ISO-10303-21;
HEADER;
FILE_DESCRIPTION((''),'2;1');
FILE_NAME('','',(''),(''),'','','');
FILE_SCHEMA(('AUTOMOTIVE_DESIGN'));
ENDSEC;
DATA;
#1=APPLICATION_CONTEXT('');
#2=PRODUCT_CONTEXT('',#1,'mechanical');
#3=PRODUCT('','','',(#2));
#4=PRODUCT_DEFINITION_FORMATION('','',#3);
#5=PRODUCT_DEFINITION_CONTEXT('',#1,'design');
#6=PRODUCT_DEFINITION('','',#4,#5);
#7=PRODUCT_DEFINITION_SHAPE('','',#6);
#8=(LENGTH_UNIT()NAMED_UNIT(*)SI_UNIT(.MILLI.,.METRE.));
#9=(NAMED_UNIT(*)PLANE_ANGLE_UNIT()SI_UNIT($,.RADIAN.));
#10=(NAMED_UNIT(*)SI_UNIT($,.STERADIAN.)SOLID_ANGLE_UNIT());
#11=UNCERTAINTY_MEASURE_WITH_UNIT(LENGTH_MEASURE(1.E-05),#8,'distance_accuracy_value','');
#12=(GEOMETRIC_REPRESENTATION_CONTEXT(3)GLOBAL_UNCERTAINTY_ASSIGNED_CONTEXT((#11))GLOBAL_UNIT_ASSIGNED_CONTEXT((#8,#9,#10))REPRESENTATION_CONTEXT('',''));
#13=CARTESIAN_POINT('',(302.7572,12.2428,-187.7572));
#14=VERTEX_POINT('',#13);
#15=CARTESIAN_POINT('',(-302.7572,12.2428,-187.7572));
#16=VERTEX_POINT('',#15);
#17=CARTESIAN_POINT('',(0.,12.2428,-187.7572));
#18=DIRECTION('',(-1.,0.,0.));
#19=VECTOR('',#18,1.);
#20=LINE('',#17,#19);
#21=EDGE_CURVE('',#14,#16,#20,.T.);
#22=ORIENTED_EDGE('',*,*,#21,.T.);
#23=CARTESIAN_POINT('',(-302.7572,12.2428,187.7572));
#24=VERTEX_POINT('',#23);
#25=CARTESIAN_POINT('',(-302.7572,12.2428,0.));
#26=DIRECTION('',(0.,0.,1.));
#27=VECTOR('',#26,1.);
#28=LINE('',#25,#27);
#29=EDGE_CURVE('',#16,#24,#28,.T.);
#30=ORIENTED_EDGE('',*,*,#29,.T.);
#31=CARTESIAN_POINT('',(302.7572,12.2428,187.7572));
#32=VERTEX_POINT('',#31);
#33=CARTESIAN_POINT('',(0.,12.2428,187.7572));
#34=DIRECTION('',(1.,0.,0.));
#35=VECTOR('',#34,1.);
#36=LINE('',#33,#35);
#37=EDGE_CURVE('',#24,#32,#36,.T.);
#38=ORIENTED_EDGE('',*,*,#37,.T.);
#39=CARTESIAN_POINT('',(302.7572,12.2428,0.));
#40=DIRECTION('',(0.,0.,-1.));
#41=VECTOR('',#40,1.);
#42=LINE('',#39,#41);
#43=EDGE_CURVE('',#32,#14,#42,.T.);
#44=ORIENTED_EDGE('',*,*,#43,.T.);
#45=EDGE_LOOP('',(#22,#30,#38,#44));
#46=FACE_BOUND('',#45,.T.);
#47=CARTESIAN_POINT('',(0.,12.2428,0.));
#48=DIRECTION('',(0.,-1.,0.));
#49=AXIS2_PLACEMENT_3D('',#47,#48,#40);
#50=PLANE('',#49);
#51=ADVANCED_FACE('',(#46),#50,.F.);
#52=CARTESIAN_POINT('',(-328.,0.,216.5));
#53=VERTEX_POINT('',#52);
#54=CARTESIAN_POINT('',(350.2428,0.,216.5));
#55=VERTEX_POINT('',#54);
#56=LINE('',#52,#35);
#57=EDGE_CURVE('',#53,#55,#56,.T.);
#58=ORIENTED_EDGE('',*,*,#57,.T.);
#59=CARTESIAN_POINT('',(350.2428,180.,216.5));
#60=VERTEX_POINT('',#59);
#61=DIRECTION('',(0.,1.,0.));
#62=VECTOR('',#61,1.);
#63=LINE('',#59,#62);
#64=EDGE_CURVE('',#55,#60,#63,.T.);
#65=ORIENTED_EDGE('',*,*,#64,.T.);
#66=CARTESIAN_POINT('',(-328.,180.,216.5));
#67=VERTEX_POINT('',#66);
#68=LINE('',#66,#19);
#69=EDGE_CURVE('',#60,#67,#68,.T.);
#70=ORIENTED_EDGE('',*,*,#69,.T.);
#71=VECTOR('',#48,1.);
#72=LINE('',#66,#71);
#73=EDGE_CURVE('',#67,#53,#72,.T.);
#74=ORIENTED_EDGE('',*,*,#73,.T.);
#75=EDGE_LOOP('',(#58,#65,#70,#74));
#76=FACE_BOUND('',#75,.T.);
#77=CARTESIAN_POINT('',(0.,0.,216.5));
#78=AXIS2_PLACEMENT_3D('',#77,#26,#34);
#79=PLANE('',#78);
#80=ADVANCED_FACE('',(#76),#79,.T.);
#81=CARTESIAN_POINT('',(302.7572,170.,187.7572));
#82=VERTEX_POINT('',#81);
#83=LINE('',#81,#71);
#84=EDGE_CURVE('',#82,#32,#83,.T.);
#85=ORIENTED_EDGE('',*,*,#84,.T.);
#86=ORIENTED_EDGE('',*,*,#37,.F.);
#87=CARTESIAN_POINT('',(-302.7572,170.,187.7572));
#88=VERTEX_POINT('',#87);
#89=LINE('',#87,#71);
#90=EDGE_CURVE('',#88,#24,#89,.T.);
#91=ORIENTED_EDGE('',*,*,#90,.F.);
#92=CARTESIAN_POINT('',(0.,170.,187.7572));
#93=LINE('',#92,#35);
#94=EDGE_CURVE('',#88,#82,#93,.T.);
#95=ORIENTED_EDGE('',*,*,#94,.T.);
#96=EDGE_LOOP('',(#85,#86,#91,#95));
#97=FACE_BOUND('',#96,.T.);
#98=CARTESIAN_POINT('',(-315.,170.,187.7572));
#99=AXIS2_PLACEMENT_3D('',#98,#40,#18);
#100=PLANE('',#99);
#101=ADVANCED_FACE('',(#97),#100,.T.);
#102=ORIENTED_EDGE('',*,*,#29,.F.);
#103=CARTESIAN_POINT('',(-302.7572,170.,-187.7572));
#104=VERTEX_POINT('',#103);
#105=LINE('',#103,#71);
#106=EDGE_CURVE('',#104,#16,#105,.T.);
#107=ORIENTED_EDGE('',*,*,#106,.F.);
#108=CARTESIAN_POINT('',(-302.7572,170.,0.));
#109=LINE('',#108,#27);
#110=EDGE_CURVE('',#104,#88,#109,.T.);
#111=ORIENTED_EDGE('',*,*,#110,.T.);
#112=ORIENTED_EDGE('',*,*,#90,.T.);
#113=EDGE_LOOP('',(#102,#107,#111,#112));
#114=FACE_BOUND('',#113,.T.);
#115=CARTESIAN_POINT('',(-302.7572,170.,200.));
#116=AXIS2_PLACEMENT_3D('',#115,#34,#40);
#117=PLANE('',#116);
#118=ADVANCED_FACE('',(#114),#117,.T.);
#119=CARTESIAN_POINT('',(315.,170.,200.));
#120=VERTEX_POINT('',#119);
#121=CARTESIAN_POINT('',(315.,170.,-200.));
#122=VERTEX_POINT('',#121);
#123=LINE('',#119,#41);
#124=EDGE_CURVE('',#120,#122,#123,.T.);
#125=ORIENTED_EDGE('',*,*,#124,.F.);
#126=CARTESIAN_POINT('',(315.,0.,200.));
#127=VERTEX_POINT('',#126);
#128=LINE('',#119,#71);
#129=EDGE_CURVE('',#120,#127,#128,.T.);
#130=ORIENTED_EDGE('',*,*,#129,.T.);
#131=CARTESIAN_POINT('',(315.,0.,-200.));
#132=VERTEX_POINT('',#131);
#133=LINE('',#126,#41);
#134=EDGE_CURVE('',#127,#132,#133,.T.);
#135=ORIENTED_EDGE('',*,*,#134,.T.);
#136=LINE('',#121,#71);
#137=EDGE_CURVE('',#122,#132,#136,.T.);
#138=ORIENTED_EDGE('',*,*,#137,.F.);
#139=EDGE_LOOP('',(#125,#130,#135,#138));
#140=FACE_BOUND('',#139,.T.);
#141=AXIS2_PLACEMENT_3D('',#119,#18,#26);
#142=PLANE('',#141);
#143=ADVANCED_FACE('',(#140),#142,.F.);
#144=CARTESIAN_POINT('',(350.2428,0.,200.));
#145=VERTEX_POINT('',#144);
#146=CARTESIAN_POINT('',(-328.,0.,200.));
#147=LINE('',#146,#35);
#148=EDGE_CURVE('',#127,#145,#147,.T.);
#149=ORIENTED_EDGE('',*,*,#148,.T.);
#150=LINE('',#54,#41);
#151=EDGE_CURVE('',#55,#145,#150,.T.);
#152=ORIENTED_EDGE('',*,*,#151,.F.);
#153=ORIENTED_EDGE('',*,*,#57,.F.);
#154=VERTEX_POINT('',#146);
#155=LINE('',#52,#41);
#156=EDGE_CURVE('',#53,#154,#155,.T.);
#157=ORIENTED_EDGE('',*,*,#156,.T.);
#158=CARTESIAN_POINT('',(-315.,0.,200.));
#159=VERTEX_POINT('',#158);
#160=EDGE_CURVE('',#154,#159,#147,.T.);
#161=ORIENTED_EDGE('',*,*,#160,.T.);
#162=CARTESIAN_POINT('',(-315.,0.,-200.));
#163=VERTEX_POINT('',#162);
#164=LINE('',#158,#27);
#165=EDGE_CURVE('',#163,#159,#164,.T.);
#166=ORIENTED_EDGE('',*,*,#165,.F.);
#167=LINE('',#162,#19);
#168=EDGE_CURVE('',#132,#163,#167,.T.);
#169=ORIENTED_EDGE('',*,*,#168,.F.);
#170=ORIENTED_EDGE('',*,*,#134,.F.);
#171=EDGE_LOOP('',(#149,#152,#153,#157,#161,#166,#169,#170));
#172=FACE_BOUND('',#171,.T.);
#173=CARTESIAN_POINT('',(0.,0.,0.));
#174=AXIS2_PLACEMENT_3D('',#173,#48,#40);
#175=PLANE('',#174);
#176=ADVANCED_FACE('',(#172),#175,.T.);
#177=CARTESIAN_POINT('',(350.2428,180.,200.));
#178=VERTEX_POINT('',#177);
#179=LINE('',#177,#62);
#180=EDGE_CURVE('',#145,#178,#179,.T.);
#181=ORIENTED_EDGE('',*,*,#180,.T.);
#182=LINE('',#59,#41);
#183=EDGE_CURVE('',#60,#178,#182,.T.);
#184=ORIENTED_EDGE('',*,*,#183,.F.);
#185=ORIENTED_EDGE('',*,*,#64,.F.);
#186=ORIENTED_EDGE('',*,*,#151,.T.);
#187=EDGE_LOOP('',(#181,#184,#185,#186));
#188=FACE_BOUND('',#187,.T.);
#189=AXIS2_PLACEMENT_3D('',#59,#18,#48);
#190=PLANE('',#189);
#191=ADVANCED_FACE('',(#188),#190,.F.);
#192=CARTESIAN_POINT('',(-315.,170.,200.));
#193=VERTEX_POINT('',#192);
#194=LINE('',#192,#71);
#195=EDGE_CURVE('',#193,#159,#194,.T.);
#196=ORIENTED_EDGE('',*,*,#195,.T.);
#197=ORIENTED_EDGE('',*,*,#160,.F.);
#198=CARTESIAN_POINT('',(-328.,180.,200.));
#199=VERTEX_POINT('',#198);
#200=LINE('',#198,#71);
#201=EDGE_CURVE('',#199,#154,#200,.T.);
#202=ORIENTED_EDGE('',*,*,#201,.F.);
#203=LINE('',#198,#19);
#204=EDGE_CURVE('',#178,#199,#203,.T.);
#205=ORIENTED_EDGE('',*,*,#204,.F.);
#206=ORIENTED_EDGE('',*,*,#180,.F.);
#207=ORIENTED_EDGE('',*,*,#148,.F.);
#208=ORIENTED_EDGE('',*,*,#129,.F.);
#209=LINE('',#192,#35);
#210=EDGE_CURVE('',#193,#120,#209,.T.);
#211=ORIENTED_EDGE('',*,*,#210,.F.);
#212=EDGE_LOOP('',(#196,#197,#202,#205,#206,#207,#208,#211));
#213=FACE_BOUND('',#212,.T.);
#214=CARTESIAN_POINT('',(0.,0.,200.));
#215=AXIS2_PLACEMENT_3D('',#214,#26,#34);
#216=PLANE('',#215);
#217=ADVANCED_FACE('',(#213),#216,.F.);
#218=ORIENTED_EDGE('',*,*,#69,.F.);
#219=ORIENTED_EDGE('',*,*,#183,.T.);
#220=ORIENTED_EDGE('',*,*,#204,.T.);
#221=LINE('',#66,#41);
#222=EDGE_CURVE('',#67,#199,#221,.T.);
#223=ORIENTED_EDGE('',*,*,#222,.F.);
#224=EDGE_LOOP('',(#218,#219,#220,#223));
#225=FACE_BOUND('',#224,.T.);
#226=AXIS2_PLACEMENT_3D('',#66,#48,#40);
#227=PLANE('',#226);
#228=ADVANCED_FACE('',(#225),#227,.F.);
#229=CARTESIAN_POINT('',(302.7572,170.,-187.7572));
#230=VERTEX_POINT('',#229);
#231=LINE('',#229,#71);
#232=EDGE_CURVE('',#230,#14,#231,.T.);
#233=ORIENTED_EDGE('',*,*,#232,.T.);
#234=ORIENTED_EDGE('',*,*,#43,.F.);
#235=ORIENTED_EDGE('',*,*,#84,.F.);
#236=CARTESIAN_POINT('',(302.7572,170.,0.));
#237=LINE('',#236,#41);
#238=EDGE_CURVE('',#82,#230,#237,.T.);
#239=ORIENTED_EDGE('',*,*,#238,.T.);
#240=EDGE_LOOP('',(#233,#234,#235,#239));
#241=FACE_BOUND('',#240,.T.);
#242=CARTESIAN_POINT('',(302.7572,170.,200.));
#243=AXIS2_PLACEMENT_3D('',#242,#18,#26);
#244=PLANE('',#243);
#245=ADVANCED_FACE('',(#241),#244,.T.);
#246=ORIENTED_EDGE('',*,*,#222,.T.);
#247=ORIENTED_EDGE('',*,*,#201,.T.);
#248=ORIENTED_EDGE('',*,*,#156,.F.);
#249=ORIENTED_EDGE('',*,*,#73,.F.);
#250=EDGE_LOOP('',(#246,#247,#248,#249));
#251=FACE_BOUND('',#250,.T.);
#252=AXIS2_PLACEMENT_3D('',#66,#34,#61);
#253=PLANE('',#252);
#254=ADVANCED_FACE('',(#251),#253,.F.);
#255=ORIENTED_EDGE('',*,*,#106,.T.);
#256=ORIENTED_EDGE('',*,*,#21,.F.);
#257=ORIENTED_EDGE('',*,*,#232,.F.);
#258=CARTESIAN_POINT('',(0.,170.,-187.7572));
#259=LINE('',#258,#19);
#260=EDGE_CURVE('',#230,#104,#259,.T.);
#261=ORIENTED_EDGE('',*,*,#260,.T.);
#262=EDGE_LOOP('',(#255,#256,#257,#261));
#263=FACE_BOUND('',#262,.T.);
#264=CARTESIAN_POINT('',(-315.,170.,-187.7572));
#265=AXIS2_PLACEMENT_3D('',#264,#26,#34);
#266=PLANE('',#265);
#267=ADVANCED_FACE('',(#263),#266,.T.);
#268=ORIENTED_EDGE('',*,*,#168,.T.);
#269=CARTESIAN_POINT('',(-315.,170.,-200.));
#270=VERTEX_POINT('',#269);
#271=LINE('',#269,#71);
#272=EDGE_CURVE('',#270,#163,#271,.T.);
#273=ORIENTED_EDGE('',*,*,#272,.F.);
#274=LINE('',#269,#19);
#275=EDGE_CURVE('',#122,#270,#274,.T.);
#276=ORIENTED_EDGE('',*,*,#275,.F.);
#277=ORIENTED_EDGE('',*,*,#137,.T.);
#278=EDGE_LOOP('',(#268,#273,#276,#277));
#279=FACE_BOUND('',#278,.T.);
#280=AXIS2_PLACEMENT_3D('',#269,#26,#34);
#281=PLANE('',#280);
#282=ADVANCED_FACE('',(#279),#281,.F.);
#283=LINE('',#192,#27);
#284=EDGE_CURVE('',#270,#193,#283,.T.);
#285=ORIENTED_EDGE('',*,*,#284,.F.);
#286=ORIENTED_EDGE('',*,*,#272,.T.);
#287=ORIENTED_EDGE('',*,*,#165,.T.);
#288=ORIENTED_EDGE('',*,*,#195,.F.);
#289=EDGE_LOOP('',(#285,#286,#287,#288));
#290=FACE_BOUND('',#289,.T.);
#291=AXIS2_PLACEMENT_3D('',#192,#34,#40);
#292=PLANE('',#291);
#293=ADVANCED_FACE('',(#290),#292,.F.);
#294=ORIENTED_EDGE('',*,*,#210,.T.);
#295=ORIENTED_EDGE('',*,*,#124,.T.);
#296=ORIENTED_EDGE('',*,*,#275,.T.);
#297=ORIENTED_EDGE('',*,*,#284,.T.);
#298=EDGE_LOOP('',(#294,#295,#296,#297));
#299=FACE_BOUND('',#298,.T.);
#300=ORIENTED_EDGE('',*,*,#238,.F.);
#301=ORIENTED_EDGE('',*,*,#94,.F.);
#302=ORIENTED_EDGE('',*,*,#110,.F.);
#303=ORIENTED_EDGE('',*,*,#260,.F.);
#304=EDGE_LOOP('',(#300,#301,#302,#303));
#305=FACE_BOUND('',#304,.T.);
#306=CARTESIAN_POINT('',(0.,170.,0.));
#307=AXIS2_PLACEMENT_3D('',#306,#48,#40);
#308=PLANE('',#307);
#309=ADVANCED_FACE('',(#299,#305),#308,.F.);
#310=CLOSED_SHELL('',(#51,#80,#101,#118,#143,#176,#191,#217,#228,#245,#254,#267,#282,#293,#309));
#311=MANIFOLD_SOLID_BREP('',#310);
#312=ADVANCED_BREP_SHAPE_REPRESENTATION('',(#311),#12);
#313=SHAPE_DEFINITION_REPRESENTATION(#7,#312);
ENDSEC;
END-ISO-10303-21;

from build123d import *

# Parameters (mm, degrees)
SKETCH1_W           = 630
SKETCH1_H           = 400
EXTRUSION_DEPTH     = 170
DRAWER_S_INTERIOR_T = -12.2428
SKETCH3_W           = 678.2428
SKETCH3_H           = 180
BOSS_EXTRUDE3_DEPTH = 16.5


with BuildPart() as part:
    # Sketch1 → Extrusion (new body)
    with BuildSketch(Plane(origin=(0, 0, 0), x_dir=(1, 0, 0), z_dir=(0, 1, 0))):
        Rectangle(SKETCH1_W, SKETCH1_H)
    extrude(amount=EXTRUSION_DEPTH)

    # Drawer's interior
    drawer_s_interior_openings = [part.faces().sort_by_distance(p)[0] for p in [
        (0, 170, 0),
    ]]
    offset(amount=DRAWER_S_INTERIOR_T, openings=drawer_s_interior_openings, kind=Kind.INTERSECTION)

    # Sketch3 → Boss-Extrude3 (add)
    with BuildSketch(Plane.XY.offset(200)):
        with Locations((11.1214, 90)):
            Rectangle(SKETCH3_W, SKETCH3_H)
    extrude(amount=BOSS_EXTRUDE3_DEPTH)


solid = part.part
